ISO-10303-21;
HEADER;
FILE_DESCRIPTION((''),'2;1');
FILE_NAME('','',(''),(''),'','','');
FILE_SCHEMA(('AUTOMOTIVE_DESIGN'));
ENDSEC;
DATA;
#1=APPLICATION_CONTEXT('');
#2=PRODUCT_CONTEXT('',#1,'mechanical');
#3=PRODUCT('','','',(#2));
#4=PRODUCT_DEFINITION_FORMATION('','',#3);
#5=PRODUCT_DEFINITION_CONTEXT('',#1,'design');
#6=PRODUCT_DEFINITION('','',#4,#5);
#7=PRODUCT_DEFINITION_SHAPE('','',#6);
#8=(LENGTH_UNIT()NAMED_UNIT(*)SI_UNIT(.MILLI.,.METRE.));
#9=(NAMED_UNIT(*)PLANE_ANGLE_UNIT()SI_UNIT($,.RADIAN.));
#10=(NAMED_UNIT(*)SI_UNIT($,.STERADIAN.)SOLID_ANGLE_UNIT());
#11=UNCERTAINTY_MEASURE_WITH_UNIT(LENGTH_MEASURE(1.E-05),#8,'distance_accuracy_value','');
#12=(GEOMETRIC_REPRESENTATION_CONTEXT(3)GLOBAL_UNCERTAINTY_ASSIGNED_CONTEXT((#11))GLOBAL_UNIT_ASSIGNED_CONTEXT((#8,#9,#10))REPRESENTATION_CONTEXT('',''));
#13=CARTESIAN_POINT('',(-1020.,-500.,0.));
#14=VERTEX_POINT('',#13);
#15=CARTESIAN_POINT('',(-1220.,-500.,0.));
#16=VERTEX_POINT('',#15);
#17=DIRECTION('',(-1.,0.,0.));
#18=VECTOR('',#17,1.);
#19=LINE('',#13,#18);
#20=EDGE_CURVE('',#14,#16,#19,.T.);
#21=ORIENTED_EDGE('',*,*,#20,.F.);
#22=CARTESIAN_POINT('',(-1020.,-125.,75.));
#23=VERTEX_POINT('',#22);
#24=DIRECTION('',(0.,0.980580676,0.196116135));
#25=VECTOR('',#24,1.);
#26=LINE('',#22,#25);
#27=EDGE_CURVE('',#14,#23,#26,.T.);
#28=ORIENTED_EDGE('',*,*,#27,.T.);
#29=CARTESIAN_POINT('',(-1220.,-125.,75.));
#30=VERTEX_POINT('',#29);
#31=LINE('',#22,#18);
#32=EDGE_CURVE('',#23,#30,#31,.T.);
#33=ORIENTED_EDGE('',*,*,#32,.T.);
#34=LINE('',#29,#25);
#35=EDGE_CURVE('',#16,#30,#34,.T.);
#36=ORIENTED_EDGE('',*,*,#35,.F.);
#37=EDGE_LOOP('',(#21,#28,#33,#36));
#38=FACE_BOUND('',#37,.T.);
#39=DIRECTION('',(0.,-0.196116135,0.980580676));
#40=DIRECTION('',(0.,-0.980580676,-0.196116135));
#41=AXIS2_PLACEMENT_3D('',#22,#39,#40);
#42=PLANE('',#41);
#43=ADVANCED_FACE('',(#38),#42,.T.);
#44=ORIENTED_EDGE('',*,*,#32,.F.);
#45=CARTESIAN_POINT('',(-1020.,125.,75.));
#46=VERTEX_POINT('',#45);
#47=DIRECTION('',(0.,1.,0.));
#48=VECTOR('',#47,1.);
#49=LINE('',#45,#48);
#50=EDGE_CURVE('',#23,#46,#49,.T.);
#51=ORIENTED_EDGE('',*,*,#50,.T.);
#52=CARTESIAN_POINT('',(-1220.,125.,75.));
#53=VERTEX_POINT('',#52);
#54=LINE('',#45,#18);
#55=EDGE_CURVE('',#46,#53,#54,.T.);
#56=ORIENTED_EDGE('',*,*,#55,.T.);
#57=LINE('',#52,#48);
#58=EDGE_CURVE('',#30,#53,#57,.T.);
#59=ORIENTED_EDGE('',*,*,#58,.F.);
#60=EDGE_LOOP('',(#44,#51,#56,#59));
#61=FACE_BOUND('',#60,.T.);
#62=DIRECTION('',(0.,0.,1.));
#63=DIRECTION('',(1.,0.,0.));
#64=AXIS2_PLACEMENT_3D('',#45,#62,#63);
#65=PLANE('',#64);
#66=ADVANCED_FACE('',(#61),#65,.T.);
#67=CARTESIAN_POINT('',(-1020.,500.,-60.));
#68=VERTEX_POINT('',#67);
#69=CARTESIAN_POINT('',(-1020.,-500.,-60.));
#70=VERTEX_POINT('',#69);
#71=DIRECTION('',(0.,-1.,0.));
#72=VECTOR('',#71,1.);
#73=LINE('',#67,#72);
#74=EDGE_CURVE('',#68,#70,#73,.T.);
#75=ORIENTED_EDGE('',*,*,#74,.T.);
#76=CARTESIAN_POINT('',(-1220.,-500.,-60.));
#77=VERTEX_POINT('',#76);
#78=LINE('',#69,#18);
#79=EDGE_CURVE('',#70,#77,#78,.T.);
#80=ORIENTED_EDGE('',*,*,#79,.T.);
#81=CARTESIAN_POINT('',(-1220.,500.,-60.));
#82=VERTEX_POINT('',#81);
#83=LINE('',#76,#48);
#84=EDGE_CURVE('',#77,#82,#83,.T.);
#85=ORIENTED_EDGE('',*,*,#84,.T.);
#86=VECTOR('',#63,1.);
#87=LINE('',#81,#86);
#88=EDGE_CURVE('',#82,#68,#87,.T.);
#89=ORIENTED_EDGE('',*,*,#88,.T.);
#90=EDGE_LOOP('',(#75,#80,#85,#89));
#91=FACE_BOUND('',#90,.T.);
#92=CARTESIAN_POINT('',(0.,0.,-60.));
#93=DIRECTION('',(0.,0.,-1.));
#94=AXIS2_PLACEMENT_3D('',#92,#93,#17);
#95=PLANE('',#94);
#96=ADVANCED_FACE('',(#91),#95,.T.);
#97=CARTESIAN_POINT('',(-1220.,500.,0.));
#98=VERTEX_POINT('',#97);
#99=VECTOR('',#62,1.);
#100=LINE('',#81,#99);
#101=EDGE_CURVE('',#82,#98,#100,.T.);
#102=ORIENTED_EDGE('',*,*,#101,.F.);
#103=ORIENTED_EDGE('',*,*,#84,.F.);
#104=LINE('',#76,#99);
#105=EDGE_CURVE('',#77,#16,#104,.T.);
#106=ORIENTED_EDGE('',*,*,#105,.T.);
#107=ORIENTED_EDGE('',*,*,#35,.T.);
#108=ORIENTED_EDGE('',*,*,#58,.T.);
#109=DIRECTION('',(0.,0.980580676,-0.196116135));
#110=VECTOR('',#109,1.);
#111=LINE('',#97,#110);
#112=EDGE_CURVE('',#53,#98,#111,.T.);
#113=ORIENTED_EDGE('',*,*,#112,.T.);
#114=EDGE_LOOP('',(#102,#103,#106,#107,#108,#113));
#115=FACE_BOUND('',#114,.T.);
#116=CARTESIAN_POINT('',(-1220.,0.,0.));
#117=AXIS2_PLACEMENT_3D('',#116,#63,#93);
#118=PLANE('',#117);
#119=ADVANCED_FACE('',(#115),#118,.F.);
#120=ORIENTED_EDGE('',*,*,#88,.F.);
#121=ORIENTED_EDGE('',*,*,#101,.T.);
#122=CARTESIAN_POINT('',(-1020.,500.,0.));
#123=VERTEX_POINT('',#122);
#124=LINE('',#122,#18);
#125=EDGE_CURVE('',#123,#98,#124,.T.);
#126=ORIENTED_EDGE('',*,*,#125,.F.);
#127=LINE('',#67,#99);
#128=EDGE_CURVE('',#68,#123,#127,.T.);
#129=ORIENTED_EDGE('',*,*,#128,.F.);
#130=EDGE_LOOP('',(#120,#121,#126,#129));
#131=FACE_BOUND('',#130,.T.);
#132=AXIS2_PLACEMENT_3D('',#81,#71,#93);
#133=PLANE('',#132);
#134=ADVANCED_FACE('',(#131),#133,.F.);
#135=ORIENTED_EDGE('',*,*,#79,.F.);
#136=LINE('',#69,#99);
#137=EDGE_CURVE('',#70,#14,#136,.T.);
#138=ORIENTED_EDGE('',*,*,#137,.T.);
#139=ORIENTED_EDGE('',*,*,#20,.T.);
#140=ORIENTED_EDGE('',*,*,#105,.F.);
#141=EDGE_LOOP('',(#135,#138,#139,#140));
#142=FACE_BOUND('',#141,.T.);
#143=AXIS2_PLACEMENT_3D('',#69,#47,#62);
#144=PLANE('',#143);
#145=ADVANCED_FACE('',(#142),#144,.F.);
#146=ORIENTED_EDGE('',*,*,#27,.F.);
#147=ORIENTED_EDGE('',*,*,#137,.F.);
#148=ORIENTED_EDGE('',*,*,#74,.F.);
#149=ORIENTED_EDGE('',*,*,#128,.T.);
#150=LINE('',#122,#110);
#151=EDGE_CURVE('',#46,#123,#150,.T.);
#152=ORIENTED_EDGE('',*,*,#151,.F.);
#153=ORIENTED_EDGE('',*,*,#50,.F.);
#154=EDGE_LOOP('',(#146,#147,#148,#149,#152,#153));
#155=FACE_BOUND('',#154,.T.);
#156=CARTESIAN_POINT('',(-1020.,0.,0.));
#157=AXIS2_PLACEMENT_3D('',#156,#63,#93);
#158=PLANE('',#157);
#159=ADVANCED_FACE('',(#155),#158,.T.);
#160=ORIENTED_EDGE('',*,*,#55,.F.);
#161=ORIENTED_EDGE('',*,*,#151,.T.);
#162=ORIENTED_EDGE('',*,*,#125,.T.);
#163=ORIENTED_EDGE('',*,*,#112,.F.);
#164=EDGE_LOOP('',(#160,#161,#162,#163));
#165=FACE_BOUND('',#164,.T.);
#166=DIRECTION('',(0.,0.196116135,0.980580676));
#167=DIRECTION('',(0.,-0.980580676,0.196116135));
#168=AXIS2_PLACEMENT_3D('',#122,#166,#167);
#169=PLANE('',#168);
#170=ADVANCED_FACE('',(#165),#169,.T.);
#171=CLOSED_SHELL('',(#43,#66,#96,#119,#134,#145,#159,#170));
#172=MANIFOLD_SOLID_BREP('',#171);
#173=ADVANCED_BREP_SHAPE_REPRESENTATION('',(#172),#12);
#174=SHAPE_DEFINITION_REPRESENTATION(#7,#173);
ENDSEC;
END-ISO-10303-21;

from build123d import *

# Parameters (mm, degrees)
BOSS_EXTRUDE1_DEPTH = 200
SKETCH4_W           = 200
SKETCH4_H           = 1000
BOSS_EXTRUDE2_DEPTH = 60


with BuildPart() as part:
    # Sketch3 → Boss-Extrude1 (new body)
    with BuildSketch(Plane.ZY.offset(1220)):
        Polygon((0, 500), (75, 125), (75, -125), (0, -500), align=None)
    extrude(amount=-BOSS_EXTRUDE1_DEPTH)

    # Sketch4 → Boss-Extrude2 (add)
    with BuildSketch(Plane(origin=(0, 0, 0), x_dir=(-1, 0, 0), z_dir=(0, 0, -1))):
        with Locations((1120, 0)):
            Rectangle(SKETCH4_W, SKETCH4_H)
    extrude(amount=BOSS_EXTRUDE2_DEPTH)


solid = part.part
